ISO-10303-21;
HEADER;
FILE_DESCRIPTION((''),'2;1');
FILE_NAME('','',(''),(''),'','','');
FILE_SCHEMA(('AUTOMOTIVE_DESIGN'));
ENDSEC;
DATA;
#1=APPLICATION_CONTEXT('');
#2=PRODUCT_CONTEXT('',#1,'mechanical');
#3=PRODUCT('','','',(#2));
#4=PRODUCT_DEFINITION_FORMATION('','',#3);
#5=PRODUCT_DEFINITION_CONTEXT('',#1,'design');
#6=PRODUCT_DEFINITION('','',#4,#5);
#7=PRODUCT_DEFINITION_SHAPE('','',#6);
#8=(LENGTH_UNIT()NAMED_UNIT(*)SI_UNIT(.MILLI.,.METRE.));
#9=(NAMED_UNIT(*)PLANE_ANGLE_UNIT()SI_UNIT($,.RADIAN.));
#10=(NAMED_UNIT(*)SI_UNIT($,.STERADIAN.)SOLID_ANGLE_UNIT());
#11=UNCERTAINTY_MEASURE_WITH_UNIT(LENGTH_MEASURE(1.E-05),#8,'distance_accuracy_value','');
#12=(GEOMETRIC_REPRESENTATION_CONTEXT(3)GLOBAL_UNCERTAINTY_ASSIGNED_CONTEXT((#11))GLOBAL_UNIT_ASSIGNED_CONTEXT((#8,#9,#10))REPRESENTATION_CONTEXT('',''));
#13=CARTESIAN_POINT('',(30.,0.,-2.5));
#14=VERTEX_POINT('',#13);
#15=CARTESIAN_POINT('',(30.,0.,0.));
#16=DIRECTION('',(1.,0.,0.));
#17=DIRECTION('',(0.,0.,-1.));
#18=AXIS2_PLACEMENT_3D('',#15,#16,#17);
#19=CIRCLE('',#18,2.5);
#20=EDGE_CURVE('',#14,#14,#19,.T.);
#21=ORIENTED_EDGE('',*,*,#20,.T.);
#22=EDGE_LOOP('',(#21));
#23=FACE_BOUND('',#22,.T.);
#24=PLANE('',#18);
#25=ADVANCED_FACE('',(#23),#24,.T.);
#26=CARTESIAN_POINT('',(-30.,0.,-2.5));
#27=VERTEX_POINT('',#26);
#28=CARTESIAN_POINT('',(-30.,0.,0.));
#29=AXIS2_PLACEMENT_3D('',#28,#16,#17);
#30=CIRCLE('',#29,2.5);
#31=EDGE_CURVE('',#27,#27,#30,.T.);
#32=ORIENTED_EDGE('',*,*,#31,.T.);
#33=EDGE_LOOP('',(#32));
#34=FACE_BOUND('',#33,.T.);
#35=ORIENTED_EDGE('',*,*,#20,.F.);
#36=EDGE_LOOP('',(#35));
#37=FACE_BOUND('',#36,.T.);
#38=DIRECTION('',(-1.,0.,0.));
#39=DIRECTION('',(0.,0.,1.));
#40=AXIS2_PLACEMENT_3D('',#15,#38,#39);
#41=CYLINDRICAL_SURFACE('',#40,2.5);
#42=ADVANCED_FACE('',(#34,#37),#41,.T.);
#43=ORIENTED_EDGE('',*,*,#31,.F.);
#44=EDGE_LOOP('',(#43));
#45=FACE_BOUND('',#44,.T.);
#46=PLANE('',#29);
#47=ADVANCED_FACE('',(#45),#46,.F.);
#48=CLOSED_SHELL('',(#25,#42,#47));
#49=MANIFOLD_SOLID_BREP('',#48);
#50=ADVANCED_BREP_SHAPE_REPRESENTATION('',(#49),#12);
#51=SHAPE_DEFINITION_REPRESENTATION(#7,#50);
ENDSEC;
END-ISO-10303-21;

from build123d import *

# Parameters (mm, degrees)
SKETCH1_R           = 2.5
BOSS_EXTRUDE1_DEPTH = 30


with BuildPart() as part:
    # Sketch1 → Boss-Extrude1 (new body, symmetric)
    with BuildSketch(Plane(origin=(0, 0, 0), x_dir=(0, 0, -1), z_dir=(1, 0, 0))):
        Circle(SKETCH1_R)
    extrude(amount=BOSS_EXTRUDE1_DEPTH, both=True)


solid = part.part
